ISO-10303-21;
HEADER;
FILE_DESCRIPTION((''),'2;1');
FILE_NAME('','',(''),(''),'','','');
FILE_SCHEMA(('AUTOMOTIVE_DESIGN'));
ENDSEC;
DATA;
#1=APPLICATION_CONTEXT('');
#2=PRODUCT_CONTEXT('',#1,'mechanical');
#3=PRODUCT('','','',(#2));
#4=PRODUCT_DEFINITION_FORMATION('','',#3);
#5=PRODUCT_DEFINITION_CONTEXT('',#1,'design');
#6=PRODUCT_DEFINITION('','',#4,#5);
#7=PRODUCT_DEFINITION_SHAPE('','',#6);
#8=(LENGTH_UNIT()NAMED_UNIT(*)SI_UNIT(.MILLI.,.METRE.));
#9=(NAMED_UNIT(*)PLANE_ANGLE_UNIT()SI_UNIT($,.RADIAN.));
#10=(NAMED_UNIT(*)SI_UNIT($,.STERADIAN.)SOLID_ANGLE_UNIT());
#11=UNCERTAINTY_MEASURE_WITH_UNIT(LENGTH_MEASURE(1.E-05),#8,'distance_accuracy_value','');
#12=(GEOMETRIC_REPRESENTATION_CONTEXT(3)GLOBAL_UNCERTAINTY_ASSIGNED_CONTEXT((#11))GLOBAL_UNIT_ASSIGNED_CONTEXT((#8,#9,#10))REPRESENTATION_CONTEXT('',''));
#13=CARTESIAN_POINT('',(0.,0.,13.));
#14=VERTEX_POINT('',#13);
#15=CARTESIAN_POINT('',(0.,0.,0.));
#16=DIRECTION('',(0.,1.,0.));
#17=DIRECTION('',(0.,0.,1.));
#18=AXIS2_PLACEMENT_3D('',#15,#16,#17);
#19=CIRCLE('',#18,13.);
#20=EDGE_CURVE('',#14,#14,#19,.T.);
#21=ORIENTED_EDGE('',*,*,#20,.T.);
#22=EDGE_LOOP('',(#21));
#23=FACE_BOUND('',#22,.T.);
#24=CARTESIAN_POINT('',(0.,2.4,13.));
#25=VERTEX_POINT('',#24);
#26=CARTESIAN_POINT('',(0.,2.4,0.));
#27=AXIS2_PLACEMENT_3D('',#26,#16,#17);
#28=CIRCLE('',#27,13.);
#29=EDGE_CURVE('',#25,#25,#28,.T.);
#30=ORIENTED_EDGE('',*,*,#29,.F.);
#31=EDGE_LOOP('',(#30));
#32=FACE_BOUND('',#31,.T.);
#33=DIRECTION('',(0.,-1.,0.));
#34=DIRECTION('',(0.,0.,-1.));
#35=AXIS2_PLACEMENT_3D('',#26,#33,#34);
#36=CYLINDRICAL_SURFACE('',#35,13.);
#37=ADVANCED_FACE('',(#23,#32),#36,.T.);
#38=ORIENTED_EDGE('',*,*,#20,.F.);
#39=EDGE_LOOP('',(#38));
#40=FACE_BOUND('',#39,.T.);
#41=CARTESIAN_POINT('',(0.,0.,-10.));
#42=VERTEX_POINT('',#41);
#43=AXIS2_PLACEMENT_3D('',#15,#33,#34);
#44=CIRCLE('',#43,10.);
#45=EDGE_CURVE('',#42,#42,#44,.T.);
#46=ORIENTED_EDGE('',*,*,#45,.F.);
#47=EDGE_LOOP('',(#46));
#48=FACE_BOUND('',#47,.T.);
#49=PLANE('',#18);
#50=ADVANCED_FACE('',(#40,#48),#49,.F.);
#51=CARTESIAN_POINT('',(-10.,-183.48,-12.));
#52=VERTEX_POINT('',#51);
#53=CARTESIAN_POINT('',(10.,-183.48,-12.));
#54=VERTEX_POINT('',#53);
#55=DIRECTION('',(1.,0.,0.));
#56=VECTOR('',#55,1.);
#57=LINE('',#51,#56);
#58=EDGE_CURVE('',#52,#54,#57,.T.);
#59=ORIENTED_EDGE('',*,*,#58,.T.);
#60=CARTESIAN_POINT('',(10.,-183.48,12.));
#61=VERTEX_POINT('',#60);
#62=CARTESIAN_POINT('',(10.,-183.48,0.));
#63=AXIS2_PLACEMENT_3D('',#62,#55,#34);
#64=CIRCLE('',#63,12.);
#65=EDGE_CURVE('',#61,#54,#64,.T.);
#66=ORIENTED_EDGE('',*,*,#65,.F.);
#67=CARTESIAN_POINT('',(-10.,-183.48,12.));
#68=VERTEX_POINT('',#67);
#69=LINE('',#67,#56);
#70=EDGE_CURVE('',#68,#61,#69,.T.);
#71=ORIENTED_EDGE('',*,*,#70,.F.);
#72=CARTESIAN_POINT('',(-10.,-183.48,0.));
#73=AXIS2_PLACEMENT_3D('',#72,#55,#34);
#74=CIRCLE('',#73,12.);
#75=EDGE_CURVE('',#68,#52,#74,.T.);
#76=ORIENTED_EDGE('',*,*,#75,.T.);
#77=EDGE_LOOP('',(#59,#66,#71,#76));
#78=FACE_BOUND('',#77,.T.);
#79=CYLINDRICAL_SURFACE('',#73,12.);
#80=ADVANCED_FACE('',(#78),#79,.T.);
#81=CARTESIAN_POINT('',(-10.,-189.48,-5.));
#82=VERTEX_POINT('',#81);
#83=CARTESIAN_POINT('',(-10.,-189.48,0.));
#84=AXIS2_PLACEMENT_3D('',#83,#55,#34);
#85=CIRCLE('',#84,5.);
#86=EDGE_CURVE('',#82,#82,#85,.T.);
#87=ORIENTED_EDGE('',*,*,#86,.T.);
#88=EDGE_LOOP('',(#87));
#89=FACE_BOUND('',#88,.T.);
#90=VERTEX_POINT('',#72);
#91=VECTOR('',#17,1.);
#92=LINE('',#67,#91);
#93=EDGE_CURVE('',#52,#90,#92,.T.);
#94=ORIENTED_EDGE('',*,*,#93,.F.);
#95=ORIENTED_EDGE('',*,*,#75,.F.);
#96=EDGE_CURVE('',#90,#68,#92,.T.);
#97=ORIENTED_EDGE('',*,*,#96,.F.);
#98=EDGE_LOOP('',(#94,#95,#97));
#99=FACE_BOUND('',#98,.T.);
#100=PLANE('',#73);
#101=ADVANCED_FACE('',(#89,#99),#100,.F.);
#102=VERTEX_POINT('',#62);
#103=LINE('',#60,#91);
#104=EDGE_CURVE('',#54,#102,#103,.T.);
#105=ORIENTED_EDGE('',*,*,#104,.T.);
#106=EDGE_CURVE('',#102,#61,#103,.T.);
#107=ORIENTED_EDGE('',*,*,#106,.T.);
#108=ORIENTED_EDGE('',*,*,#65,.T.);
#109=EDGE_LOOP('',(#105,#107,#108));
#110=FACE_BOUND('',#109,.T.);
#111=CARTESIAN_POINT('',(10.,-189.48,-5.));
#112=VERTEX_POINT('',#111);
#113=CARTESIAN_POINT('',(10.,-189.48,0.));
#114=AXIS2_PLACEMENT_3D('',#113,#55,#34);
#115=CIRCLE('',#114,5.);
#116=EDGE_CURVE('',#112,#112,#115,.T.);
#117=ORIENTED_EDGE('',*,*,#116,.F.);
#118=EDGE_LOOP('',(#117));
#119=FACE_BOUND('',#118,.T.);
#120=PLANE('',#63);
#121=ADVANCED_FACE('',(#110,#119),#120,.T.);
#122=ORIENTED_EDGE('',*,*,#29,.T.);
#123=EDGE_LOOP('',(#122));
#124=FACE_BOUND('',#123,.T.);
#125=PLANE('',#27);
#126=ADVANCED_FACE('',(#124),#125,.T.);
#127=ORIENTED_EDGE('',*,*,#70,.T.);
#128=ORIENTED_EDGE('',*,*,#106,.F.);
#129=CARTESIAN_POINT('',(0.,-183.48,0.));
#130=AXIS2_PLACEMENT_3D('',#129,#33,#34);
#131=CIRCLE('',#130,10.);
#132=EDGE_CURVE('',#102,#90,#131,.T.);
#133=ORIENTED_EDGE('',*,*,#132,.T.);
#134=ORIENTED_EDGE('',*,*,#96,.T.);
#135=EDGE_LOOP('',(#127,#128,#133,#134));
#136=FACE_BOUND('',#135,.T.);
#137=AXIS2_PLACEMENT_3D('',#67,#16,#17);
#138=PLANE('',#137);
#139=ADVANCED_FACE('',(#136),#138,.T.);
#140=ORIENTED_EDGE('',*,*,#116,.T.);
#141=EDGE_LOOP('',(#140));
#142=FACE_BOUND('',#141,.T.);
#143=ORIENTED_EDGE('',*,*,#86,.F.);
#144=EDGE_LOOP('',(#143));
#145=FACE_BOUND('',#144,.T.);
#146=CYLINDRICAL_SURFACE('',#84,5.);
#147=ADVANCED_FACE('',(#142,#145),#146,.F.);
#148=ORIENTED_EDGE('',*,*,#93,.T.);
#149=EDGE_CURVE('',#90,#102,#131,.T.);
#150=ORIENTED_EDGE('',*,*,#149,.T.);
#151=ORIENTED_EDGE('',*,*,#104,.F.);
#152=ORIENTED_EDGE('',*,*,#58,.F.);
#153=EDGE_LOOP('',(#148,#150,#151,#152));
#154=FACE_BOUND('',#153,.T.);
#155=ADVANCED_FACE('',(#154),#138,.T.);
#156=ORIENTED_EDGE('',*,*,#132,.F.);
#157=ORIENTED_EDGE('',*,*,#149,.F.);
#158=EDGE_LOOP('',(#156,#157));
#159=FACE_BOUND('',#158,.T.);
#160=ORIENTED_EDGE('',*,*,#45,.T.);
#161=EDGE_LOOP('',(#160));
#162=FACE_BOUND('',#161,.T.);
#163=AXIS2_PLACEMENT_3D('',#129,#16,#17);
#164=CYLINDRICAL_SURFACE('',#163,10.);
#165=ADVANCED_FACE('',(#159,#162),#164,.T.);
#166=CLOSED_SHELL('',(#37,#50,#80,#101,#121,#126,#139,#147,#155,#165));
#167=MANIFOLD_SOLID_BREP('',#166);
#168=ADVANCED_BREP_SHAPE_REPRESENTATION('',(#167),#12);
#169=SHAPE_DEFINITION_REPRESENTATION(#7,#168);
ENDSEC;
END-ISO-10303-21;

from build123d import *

# Parameters (mm, degrees)
CROQUIS1_R                   = 13
SALIENTE_EXTRUIR1_DEPTH      = 2.4
CROQUIS2_R                   = 10
SALIENTE_EXTRUIR2_DEPTH      = 183.48
SALIENTE_EXTRUIR3_DEPTH      = 10
SALIENTE_EXTRUIR3_DEPTH_BACK = 10
CROQUIS3_R                   = 5


with BuildPart() as part:
    # Croquis1 → Saliente-Extruir1 (new body)
    with BuildSketch(Plane(origin=(0, 0, 0), x_dir=(1, 0, 0), z_dir=(0, 1, 0))):
        Circle(CROQUIS1_R)
    extrude(amount=SALIENTE_EXTRUIR1_DEPTH)

    # Croquis2 → Saliente-Extruir2 (add)
    with BuildSketch(Plane.XZ):
        Circle(CROQUIS2_R)
    extrude(amount=SALIENTE_EXTRUIR2_DEPTH)

    # Croquis3 → Saliente-Extruir3 (add, two sides: drawn at the far end of the back side and taken through both)
    with BuildSketch(Plane(origin=(0, 0, 0), x_dir=(0, 0, -1), z_dir=(1, 0, 0)).offset(-SALIENTE_EXTRUIR3_DEPTH_BACK)):
        with BuildLine():
            Line((-12, -183.48), (12, -183.48))
            ThreePointArc((12, -183.48), (0, -195.48), (-12, -183.48))
        make_face()
        with Locations((0, -189.48)):
            Circle(CROQUIS3_R, mode=Mode.SUBTRACT)
    extrude(amount=SALIENTE_EXTRUIR3_DEPTH + SALIENTE_EXTRUIR3_DEPTH_BACK)


solid = part.part
